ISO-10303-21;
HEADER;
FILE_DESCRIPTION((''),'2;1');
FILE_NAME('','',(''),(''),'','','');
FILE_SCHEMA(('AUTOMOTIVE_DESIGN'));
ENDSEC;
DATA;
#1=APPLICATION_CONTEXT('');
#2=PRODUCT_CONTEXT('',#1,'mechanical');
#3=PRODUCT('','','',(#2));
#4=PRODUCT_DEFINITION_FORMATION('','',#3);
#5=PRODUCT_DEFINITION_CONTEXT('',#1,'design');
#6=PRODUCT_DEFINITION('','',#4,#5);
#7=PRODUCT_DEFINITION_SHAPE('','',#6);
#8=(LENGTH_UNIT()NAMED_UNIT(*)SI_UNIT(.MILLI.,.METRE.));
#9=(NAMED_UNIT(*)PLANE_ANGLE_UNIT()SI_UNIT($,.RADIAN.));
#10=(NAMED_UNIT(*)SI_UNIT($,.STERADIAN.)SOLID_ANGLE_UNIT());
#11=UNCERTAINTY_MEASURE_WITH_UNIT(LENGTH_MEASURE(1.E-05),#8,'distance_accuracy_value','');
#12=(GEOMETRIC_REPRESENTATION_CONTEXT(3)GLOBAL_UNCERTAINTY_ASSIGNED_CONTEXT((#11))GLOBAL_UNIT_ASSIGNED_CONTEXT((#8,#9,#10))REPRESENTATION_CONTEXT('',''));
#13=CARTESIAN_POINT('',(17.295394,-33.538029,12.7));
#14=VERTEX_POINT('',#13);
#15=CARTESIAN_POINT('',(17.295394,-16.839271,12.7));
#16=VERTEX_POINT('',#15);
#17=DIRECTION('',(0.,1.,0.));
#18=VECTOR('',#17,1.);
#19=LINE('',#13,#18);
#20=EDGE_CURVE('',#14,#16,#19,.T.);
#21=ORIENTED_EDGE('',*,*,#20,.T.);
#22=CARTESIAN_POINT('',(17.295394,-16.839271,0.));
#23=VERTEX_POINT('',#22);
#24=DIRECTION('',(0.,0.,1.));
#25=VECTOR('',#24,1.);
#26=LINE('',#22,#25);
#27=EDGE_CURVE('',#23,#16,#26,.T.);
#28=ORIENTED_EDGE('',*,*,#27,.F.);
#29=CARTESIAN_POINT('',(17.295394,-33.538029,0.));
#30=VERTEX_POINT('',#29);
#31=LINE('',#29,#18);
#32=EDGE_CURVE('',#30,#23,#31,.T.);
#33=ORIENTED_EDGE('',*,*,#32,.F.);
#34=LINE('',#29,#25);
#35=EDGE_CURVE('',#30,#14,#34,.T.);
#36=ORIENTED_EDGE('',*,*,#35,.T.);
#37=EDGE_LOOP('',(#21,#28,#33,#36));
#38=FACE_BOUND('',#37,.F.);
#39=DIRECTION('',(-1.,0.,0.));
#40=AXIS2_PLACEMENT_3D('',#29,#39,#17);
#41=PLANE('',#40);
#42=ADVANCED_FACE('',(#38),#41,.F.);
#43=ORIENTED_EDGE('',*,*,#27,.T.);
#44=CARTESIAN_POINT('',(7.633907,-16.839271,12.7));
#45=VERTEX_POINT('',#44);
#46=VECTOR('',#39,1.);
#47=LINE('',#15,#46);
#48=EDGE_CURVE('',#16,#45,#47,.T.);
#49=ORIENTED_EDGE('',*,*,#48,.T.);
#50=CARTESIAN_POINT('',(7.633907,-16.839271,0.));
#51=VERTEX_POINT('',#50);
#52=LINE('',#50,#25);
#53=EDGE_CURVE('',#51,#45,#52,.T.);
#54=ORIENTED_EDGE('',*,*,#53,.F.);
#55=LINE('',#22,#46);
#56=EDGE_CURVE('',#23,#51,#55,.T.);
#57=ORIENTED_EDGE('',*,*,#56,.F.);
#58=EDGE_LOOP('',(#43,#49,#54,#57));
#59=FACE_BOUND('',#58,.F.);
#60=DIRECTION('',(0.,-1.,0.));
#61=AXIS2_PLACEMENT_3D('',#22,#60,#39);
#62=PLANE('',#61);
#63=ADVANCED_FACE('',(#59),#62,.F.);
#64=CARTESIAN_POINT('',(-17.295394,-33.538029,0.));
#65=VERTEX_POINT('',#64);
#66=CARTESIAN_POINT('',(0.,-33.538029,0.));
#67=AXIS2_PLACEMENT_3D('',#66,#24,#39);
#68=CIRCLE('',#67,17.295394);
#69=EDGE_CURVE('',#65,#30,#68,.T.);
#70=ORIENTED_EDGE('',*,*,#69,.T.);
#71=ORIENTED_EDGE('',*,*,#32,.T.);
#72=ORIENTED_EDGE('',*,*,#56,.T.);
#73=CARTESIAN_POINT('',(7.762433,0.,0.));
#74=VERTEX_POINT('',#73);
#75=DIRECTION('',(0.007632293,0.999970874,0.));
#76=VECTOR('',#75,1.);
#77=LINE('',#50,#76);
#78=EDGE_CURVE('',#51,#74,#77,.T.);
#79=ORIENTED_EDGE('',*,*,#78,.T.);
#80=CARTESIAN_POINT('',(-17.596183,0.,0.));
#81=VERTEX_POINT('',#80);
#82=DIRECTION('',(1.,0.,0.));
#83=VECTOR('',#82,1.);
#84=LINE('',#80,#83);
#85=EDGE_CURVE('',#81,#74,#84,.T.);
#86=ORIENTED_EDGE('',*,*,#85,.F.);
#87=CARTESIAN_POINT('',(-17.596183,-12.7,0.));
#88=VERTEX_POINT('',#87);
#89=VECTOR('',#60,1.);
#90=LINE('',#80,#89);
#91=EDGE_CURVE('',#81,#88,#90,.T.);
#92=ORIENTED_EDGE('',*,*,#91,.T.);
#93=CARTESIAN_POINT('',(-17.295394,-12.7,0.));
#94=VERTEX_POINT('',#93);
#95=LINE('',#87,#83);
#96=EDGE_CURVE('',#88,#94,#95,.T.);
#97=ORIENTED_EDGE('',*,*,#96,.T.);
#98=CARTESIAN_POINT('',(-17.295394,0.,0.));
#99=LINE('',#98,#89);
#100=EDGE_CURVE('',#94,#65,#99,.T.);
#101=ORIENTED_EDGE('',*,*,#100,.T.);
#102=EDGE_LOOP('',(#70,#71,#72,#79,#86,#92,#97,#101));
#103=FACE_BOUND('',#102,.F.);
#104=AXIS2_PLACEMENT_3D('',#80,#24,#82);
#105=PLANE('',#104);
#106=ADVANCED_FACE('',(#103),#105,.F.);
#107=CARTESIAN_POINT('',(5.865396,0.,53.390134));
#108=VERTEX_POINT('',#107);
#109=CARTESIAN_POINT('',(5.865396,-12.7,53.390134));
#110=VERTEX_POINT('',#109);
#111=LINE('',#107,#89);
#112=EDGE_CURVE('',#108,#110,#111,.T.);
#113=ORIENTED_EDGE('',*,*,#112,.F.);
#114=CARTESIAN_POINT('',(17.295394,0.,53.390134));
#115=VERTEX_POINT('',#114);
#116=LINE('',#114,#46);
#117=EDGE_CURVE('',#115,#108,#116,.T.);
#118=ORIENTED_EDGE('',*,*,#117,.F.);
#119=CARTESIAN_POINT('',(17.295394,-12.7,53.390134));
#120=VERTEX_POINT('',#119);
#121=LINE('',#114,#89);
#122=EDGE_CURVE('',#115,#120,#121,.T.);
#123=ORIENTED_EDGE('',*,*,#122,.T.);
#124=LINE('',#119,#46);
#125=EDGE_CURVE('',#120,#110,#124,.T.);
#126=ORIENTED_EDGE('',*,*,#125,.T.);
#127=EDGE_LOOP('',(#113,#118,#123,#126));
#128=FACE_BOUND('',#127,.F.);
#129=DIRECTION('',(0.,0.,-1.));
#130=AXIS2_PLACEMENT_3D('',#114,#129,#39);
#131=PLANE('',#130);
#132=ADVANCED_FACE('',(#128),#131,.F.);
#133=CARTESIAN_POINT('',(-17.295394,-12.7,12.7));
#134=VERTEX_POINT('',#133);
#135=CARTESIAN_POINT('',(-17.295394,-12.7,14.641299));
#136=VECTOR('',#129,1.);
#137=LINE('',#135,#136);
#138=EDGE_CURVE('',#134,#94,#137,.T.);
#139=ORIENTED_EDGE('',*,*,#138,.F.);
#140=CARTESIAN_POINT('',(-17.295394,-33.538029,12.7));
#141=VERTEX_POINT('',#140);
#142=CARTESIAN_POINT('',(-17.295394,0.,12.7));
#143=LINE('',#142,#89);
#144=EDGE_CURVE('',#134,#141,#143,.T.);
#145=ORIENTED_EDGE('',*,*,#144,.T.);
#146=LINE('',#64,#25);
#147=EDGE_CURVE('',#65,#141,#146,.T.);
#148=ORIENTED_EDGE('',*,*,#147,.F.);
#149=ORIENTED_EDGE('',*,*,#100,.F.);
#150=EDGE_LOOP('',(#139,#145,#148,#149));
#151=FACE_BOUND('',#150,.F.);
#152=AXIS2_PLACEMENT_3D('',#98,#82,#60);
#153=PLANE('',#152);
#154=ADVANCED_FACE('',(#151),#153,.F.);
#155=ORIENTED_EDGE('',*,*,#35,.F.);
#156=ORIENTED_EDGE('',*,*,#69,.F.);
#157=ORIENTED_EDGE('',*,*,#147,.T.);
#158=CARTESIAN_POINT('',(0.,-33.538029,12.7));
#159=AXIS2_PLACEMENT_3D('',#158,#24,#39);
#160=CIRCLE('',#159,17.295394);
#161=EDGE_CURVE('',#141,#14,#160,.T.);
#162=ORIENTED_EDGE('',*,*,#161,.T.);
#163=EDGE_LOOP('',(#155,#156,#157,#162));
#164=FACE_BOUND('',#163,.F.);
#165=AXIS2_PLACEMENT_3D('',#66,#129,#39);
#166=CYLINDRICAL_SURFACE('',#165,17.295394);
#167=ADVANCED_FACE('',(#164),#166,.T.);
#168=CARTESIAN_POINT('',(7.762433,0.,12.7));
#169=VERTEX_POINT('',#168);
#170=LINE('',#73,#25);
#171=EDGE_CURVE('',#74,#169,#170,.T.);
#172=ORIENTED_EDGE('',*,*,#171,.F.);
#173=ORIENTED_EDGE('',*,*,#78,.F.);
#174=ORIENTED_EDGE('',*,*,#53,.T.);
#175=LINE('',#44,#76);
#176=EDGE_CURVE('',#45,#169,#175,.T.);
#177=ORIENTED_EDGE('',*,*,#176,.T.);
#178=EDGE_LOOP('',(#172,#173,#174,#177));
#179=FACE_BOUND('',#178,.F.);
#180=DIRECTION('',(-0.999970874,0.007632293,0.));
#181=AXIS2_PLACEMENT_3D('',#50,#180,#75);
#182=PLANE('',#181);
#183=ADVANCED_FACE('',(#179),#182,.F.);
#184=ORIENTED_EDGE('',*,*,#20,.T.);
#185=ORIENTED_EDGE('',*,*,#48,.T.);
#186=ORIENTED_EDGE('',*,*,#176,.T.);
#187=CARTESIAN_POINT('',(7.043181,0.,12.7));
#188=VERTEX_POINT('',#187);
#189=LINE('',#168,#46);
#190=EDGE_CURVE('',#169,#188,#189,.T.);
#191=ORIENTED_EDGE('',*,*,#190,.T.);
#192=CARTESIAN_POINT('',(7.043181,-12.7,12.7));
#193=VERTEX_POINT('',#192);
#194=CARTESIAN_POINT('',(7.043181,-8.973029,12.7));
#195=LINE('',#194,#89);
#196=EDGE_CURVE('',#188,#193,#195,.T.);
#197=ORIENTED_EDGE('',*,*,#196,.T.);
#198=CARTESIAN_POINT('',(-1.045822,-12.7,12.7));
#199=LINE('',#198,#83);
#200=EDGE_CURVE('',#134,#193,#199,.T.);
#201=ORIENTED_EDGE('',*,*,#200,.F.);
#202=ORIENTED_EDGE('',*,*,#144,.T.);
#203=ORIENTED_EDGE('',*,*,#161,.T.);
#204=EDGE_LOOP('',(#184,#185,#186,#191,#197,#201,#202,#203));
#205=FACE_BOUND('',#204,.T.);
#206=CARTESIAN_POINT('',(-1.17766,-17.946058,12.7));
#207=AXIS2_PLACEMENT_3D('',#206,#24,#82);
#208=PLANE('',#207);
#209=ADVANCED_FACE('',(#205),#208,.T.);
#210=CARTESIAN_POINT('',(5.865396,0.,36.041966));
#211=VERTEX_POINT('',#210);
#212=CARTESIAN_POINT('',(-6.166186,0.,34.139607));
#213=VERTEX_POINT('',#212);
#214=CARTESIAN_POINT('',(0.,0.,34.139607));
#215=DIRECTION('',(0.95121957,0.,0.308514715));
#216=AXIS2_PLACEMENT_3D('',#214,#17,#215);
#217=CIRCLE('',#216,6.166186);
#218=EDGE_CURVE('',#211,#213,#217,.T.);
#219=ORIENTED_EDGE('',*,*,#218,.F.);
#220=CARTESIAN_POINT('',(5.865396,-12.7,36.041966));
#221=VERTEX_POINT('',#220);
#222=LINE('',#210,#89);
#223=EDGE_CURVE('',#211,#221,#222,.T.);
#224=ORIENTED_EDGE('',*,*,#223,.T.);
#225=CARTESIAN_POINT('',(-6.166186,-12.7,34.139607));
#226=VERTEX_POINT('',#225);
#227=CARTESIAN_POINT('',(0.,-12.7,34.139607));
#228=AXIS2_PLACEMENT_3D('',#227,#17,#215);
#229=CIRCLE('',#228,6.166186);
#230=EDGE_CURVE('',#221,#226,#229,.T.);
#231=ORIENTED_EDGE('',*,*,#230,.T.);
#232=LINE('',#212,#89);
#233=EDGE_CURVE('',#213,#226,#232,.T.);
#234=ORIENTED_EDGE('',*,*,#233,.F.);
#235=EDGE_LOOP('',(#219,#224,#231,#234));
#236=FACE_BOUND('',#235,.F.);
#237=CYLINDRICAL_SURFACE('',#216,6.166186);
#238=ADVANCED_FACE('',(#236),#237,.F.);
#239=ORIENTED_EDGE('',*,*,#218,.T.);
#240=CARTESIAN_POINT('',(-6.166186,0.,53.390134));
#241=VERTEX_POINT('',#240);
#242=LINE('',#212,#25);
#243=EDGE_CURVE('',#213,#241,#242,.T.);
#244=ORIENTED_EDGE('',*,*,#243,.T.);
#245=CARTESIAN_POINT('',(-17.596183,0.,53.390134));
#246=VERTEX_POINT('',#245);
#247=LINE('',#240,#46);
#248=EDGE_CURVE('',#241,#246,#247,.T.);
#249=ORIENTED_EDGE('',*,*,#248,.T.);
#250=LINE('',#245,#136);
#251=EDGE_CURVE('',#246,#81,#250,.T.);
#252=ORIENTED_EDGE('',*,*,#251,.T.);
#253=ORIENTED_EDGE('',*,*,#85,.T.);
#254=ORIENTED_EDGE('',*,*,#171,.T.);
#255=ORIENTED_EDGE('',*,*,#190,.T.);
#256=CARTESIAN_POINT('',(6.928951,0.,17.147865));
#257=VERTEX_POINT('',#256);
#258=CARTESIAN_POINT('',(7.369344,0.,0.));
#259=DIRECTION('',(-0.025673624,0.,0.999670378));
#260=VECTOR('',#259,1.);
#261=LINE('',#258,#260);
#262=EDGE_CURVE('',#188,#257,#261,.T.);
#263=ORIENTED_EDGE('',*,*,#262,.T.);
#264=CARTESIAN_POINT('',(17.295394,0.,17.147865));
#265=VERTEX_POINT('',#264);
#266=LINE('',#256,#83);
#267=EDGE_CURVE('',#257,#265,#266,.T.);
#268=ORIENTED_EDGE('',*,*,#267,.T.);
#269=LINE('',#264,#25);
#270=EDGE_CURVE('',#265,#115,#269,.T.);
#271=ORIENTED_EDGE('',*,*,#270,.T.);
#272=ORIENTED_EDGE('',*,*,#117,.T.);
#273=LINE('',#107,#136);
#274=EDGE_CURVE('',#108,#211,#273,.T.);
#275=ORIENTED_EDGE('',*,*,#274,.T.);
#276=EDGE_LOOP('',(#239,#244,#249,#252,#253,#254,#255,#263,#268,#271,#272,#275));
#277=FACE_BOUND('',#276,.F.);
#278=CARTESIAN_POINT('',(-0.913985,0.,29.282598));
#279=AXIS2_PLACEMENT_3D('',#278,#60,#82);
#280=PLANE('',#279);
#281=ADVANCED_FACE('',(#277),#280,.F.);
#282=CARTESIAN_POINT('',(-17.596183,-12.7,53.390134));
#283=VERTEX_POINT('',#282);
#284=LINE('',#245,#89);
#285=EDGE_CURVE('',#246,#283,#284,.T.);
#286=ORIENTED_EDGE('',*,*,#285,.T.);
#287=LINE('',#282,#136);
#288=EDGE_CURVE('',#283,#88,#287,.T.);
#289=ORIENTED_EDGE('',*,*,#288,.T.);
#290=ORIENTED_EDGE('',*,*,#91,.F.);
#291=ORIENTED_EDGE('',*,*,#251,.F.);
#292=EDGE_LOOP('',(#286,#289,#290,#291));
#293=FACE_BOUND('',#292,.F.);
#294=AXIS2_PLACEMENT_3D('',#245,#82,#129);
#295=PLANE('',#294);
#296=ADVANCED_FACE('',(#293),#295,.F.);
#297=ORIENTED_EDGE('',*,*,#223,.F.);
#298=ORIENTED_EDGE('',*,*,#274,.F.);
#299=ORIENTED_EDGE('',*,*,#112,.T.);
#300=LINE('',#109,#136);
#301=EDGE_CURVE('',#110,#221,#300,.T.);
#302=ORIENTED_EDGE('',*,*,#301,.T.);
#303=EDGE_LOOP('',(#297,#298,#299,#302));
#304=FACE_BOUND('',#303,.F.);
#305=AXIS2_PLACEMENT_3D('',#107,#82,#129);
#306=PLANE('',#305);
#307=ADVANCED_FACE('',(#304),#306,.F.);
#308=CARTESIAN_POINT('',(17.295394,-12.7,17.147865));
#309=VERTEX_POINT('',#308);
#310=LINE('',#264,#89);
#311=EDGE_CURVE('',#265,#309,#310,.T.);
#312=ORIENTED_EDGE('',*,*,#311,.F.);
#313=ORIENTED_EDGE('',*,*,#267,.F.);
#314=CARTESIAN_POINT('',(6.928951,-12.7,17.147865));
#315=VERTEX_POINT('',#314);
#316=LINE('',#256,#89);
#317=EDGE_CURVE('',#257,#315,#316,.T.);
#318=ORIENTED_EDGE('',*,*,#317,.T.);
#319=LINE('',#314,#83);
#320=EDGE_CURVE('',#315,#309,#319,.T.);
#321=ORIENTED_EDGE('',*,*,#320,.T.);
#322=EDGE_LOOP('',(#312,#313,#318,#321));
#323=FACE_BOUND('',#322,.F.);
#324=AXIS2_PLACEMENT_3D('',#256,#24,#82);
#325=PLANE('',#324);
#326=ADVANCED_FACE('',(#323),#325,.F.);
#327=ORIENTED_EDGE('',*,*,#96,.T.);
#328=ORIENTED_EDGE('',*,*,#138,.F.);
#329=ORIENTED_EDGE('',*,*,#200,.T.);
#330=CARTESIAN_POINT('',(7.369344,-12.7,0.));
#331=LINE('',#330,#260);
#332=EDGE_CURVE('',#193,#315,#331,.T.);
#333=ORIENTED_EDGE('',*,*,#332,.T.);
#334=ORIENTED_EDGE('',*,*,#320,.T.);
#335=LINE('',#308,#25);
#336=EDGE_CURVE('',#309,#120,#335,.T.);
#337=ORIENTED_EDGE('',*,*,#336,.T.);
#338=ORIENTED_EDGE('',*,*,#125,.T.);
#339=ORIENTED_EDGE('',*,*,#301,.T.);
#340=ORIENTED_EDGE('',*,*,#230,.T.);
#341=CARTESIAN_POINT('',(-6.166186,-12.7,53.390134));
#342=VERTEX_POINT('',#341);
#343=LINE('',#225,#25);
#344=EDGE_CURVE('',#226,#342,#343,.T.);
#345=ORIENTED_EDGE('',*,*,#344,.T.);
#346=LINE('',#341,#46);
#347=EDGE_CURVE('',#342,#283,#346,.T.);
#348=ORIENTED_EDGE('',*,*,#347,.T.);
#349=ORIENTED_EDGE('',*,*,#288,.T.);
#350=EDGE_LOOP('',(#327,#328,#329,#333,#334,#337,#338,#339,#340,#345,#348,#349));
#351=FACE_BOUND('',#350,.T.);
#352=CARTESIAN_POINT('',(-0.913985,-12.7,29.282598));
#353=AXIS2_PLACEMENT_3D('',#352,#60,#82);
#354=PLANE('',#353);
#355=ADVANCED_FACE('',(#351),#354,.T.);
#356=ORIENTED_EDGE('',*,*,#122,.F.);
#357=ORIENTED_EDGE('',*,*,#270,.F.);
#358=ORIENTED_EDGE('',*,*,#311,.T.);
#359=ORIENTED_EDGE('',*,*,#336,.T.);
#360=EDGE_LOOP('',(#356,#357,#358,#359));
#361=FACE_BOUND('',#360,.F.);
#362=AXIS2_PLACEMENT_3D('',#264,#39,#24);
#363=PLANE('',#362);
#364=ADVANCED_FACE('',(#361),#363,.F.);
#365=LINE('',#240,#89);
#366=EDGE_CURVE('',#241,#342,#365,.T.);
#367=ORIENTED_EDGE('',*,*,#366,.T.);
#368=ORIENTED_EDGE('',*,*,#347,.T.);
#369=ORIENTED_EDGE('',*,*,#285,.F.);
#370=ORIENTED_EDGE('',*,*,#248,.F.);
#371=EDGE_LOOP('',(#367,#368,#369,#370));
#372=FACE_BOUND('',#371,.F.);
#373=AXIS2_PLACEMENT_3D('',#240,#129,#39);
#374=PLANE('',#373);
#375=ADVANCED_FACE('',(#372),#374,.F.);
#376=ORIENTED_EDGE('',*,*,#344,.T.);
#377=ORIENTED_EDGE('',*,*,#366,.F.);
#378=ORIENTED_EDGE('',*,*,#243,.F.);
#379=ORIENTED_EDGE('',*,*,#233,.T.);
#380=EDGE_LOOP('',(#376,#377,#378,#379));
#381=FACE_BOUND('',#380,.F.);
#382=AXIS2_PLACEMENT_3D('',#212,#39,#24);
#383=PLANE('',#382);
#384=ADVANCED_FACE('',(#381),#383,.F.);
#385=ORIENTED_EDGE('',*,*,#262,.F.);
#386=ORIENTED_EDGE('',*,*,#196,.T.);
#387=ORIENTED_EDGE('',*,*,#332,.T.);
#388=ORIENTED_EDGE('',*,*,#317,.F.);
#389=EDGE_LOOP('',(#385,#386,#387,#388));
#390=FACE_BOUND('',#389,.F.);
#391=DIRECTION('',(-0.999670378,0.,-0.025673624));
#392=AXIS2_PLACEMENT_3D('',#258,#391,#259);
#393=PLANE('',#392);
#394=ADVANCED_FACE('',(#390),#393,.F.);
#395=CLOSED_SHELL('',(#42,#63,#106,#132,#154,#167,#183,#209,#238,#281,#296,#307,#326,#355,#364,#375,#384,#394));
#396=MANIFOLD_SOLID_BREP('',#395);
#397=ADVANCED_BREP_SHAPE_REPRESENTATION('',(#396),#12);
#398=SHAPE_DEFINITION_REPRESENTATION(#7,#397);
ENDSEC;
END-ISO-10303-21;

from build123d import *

# Parameters (mm, degrees)
F2_DEPTH = 12.7
F3_DEPTH = 12.7


with BuildPart() as f2:
    # F0 (on Top) → F2 (new body)
    with BuildSketch(Plane.XY):
        Polygon((-17.295394, 0), (-17.295394, -33.538029), (17.295394, -33.538029), (17.295394, -16.839271), (7.633907, -16.839271), (7.762433, 0), align=None)
        with BuildLine():
            Line((17.295394, -33.538029), (-17.295394, -33.538029))
            ThreePointArc((-17.295394, -33.538029), (0, -50.833423), (17.295394, -33.538029))
        make_face()
    extrude(amount=F2_DEPTH)

    # F1 (on Front) → F3 (join)
    with BuildSketch(Plane.XZ):
        with BuildLine():
            Line((-17.596183, 0), (7.369344, 0))
            Line((7.369344, 0), (6.928951, 17.147865))
            Line((6.928951, 17.147865), (17.295394, 17.147865))
            Line((17.295394, 17.147865), (17.295394, 53.390134))
            Line((17.295394, 53.390134), (5.865396, 53.390134))
            Line((5.865396, 53.390134), (5.865396, 36.041966))
            ThreePointArc((5.865396, 36.041966), (0.962996, 28.049083), (-6.166186, 34.139607))
            Line((-6.166186, 34.139607), (-6.166186, 53.390134))
            Line((-6.166186, 53.390134), (-17.596183, 53.390134))
            Line((-17.596183, 53.390134), (-17.596183, 0))
        make_face()
    extrude(amount=F3_DEPTH)


solid = f2.part
